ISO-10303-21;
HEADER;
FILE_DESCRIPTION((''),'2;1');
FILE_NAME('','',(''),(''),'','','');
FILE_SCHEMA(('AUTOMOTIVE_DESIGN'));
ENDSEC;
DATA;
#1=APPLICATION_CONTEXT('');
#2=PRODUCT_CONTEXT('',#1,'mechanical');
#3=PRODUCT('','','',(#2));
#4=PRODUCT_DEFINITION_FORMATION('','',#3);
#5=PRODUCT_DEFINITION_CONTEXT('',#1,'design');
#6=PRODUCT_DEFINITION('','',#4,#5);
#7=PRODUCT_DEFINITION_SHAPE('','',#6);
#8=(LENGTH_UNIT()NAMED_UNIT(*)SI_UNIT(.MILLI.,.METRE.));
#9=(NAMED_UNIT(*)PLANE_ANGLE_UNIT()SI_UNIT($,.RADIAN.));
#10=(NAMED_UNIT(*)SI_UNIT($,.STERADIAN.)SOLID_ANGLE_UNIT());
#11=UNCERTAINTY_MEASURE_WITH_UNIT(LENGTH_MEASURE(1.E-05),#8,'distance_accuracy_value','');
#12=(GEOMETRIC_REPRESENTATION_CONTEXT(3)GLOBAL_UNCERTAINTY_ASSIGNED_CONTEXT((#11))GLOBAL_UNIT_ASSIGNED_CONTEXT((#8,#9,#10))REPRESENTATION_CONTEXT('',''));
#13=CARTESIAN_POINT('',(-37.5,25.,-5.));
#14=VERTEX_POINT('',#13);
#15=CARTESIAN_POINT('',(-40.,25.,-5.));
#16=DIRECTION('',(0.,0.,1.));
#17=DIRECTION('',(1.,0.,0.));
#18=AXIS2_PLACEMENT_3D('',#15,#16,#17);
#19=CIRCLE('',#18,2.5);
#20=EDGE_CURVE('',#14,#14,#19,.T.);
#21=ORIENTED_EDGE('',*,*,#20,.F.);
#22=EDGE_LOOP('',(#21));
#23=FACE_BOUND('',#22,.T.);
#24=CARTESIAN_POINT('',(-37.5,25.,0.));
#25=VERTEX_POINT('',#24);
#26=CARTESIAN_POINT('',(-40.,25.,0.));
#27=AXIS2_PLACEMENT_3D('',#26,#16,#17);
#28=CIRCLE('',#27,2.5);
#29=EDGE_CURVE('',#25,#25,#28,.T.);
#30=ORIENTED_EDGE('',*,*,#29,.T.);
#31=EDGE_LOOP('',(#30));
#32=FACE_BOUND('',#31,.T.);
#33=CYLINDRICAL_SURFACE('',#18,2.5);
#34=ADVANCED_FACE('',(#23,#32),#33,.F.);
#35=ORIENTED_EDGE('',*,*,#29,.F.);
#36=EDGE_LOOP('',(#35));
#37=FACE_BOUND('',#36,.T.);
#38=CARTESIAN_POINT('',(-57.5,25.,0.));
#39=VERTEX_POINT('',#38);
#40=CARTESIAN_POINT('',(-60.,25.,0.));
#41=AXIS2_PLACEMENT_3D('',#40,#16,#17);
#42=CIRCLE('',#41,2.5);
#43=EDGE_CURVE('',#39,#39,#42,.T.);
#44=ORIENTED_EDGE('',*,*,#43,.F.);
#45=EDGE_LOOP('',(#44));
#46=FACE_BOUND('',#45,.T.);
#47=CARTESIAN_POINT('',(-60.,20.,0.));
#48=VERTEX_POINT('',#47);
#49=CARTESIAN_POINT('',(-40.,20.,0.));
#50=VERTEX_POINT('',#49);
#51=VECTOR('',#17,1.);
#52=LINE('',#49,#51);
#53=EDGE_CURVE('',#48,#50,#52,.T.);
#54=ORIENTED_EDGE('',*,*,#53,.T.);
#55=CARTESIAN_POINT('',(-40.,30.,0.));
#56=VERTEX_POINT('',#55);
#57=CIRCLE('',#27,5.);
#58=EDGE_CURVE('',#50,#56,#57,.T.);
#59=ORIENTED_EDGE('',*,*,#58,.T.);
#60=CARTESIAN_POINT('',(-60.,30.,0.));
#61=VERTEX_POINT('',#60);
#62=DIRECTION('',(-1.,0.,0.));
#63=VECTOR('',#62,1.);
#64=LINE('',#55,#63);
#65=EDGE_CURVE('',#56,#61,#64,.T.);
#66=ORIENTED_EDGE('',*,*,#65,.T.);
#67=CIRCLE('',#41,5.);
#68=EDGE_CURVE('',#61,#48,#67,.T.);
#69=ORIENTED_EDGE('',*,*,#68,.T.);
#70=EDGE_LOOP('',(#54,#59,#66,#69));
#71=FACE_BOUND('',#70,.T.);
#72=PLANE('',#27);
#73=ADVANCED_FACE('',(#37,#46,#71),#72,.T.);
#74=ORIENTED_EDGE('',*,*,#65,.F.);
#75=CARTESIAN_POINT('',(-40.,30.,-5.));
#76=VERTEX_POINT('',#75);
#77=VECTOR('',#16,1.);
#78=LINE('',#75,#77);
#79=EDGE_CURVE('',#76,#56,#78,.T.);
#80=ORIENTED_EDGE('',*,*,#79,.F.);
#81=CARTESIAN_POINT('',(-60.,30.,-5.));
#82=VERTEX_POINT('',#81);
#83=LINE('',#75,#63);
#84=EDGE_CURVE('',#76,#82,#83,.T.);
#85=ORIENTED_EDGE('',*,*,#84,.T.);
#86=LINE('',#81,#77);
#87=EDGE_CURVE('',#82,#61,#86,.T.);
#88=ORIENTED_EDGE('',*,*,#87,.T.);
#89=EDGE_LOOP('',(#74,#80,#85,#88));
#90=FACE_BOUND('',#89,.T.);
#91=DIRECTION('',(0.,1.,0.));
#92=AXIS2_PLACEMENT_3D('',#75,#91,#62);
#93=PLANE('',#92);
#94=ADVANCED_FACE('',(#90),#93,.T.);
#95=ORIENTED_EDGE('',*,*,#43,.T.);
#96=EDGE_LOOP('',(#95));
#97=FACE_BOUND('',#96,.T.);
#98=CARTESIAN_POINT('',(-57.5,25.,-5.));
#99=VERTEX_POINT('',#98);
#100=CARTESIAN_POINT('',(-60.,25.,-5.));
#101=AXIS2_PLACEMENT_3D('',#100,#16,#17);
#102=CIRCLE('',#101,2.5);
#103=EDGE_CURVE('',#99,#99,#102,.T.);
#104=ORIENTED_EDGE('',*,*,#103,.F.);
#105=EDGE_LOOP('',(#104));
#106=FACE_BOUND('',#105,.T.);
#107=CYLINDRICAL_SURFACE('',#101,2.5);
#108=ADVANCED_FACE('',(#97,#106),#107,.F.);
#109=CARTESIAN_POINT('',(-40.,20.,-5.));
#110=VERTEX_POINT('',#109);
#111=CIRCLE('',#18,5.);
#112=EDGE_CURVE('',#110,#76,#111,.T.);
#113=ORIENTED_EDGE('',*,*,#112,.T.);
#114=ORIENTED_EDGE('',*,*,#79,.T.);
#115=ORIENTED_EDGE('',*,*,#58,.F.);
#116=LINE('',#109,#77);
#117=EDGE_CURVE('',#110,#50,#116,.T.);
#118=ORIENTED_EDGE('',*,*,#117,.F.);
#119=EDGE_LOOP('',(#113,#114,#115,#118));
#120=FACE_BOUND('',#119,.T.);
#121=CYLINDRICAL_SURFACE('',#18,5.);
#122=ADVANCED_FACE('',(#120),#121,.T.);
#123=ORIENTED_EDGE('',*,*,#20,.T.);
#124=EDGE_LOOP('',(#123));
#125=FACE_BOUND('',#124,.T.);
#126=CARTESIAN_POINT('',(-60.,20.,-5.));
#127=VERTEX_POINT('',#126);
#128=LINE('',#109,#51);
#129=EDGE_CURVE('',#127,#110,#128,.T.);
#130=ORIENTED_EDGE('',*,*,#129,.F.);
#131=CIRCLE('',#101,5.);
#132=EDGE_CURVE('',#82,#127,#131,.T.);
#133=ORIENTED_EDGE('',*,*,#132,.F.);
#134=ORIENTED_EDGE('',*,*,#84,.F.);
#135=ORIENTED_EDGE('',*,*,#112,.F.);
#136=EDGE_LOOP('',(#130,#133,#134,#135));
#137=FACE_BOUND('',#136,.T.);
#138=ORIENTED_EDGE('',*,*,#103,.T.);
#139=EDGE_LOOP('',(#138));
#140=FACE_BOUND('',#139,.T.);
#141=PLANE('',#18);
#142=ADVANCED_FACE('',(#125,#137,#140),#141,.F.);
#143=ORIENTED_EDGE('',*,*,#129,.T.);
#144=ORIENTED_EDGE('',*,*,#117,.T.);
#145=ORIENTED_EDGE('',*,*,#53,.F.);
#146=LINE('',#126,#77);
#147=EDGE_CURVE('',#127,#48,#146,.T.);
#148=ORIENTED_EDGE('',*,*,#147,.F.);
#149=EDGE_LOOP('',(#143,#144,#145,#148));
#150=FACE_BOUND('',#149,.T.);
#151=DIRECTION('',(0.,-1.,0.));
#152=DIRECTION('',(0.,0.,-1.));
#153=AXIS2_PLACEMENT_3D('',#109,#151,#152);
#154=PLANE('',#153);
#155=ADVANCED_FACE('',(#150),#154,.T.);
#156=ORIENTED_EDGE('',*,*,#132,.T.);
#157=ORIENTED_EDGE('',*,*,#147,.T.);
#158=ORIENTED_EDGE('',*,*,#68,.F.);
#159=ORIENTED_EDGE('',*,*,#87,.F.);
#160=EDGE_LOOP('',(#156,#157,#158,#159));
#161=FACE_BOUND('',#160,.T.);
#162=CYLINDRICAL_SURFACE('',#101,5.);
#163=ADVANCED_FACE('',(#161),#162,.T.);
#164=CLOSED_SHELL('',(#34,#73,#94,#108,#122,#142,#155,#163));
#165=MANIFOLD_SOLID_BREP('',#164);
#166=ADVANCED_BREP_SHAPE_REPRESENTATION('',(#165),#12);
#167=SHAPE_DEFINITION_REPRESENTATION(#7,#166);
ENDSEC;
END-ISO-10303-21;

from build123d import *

# Parameters (mm, degrees)
SKETCH1_R           = 2.5
BOSS_EXTRUDE1_DEPTH = 5


with BuildPart() as part:
    # Sketch1 → Boss-Extrude1 (new body)
    with BuildSketch(Plane.XY):
        with BuildLine():
            Line((-40, 20), (-60, 20))
            ThreePointArc((-60, 20), (-65, 25), (-60, 30))
            Line((-60, 30), (-40, 30))
            ThreePointArc((-40, 30), (-35, 25), (-40, 20))
        make_face()
        with Locations((-40, 25)):
            Circle(SKETCH1_R, mode=Mode.SUBTRACT)
        with Locations((-60, 25)):
            Circle(SKETCH1_R, mode=Mode.SUBTRACT)
    extrude(amount=-BOSS_EXTRUDE1_DEPTH)


solid = part.part
